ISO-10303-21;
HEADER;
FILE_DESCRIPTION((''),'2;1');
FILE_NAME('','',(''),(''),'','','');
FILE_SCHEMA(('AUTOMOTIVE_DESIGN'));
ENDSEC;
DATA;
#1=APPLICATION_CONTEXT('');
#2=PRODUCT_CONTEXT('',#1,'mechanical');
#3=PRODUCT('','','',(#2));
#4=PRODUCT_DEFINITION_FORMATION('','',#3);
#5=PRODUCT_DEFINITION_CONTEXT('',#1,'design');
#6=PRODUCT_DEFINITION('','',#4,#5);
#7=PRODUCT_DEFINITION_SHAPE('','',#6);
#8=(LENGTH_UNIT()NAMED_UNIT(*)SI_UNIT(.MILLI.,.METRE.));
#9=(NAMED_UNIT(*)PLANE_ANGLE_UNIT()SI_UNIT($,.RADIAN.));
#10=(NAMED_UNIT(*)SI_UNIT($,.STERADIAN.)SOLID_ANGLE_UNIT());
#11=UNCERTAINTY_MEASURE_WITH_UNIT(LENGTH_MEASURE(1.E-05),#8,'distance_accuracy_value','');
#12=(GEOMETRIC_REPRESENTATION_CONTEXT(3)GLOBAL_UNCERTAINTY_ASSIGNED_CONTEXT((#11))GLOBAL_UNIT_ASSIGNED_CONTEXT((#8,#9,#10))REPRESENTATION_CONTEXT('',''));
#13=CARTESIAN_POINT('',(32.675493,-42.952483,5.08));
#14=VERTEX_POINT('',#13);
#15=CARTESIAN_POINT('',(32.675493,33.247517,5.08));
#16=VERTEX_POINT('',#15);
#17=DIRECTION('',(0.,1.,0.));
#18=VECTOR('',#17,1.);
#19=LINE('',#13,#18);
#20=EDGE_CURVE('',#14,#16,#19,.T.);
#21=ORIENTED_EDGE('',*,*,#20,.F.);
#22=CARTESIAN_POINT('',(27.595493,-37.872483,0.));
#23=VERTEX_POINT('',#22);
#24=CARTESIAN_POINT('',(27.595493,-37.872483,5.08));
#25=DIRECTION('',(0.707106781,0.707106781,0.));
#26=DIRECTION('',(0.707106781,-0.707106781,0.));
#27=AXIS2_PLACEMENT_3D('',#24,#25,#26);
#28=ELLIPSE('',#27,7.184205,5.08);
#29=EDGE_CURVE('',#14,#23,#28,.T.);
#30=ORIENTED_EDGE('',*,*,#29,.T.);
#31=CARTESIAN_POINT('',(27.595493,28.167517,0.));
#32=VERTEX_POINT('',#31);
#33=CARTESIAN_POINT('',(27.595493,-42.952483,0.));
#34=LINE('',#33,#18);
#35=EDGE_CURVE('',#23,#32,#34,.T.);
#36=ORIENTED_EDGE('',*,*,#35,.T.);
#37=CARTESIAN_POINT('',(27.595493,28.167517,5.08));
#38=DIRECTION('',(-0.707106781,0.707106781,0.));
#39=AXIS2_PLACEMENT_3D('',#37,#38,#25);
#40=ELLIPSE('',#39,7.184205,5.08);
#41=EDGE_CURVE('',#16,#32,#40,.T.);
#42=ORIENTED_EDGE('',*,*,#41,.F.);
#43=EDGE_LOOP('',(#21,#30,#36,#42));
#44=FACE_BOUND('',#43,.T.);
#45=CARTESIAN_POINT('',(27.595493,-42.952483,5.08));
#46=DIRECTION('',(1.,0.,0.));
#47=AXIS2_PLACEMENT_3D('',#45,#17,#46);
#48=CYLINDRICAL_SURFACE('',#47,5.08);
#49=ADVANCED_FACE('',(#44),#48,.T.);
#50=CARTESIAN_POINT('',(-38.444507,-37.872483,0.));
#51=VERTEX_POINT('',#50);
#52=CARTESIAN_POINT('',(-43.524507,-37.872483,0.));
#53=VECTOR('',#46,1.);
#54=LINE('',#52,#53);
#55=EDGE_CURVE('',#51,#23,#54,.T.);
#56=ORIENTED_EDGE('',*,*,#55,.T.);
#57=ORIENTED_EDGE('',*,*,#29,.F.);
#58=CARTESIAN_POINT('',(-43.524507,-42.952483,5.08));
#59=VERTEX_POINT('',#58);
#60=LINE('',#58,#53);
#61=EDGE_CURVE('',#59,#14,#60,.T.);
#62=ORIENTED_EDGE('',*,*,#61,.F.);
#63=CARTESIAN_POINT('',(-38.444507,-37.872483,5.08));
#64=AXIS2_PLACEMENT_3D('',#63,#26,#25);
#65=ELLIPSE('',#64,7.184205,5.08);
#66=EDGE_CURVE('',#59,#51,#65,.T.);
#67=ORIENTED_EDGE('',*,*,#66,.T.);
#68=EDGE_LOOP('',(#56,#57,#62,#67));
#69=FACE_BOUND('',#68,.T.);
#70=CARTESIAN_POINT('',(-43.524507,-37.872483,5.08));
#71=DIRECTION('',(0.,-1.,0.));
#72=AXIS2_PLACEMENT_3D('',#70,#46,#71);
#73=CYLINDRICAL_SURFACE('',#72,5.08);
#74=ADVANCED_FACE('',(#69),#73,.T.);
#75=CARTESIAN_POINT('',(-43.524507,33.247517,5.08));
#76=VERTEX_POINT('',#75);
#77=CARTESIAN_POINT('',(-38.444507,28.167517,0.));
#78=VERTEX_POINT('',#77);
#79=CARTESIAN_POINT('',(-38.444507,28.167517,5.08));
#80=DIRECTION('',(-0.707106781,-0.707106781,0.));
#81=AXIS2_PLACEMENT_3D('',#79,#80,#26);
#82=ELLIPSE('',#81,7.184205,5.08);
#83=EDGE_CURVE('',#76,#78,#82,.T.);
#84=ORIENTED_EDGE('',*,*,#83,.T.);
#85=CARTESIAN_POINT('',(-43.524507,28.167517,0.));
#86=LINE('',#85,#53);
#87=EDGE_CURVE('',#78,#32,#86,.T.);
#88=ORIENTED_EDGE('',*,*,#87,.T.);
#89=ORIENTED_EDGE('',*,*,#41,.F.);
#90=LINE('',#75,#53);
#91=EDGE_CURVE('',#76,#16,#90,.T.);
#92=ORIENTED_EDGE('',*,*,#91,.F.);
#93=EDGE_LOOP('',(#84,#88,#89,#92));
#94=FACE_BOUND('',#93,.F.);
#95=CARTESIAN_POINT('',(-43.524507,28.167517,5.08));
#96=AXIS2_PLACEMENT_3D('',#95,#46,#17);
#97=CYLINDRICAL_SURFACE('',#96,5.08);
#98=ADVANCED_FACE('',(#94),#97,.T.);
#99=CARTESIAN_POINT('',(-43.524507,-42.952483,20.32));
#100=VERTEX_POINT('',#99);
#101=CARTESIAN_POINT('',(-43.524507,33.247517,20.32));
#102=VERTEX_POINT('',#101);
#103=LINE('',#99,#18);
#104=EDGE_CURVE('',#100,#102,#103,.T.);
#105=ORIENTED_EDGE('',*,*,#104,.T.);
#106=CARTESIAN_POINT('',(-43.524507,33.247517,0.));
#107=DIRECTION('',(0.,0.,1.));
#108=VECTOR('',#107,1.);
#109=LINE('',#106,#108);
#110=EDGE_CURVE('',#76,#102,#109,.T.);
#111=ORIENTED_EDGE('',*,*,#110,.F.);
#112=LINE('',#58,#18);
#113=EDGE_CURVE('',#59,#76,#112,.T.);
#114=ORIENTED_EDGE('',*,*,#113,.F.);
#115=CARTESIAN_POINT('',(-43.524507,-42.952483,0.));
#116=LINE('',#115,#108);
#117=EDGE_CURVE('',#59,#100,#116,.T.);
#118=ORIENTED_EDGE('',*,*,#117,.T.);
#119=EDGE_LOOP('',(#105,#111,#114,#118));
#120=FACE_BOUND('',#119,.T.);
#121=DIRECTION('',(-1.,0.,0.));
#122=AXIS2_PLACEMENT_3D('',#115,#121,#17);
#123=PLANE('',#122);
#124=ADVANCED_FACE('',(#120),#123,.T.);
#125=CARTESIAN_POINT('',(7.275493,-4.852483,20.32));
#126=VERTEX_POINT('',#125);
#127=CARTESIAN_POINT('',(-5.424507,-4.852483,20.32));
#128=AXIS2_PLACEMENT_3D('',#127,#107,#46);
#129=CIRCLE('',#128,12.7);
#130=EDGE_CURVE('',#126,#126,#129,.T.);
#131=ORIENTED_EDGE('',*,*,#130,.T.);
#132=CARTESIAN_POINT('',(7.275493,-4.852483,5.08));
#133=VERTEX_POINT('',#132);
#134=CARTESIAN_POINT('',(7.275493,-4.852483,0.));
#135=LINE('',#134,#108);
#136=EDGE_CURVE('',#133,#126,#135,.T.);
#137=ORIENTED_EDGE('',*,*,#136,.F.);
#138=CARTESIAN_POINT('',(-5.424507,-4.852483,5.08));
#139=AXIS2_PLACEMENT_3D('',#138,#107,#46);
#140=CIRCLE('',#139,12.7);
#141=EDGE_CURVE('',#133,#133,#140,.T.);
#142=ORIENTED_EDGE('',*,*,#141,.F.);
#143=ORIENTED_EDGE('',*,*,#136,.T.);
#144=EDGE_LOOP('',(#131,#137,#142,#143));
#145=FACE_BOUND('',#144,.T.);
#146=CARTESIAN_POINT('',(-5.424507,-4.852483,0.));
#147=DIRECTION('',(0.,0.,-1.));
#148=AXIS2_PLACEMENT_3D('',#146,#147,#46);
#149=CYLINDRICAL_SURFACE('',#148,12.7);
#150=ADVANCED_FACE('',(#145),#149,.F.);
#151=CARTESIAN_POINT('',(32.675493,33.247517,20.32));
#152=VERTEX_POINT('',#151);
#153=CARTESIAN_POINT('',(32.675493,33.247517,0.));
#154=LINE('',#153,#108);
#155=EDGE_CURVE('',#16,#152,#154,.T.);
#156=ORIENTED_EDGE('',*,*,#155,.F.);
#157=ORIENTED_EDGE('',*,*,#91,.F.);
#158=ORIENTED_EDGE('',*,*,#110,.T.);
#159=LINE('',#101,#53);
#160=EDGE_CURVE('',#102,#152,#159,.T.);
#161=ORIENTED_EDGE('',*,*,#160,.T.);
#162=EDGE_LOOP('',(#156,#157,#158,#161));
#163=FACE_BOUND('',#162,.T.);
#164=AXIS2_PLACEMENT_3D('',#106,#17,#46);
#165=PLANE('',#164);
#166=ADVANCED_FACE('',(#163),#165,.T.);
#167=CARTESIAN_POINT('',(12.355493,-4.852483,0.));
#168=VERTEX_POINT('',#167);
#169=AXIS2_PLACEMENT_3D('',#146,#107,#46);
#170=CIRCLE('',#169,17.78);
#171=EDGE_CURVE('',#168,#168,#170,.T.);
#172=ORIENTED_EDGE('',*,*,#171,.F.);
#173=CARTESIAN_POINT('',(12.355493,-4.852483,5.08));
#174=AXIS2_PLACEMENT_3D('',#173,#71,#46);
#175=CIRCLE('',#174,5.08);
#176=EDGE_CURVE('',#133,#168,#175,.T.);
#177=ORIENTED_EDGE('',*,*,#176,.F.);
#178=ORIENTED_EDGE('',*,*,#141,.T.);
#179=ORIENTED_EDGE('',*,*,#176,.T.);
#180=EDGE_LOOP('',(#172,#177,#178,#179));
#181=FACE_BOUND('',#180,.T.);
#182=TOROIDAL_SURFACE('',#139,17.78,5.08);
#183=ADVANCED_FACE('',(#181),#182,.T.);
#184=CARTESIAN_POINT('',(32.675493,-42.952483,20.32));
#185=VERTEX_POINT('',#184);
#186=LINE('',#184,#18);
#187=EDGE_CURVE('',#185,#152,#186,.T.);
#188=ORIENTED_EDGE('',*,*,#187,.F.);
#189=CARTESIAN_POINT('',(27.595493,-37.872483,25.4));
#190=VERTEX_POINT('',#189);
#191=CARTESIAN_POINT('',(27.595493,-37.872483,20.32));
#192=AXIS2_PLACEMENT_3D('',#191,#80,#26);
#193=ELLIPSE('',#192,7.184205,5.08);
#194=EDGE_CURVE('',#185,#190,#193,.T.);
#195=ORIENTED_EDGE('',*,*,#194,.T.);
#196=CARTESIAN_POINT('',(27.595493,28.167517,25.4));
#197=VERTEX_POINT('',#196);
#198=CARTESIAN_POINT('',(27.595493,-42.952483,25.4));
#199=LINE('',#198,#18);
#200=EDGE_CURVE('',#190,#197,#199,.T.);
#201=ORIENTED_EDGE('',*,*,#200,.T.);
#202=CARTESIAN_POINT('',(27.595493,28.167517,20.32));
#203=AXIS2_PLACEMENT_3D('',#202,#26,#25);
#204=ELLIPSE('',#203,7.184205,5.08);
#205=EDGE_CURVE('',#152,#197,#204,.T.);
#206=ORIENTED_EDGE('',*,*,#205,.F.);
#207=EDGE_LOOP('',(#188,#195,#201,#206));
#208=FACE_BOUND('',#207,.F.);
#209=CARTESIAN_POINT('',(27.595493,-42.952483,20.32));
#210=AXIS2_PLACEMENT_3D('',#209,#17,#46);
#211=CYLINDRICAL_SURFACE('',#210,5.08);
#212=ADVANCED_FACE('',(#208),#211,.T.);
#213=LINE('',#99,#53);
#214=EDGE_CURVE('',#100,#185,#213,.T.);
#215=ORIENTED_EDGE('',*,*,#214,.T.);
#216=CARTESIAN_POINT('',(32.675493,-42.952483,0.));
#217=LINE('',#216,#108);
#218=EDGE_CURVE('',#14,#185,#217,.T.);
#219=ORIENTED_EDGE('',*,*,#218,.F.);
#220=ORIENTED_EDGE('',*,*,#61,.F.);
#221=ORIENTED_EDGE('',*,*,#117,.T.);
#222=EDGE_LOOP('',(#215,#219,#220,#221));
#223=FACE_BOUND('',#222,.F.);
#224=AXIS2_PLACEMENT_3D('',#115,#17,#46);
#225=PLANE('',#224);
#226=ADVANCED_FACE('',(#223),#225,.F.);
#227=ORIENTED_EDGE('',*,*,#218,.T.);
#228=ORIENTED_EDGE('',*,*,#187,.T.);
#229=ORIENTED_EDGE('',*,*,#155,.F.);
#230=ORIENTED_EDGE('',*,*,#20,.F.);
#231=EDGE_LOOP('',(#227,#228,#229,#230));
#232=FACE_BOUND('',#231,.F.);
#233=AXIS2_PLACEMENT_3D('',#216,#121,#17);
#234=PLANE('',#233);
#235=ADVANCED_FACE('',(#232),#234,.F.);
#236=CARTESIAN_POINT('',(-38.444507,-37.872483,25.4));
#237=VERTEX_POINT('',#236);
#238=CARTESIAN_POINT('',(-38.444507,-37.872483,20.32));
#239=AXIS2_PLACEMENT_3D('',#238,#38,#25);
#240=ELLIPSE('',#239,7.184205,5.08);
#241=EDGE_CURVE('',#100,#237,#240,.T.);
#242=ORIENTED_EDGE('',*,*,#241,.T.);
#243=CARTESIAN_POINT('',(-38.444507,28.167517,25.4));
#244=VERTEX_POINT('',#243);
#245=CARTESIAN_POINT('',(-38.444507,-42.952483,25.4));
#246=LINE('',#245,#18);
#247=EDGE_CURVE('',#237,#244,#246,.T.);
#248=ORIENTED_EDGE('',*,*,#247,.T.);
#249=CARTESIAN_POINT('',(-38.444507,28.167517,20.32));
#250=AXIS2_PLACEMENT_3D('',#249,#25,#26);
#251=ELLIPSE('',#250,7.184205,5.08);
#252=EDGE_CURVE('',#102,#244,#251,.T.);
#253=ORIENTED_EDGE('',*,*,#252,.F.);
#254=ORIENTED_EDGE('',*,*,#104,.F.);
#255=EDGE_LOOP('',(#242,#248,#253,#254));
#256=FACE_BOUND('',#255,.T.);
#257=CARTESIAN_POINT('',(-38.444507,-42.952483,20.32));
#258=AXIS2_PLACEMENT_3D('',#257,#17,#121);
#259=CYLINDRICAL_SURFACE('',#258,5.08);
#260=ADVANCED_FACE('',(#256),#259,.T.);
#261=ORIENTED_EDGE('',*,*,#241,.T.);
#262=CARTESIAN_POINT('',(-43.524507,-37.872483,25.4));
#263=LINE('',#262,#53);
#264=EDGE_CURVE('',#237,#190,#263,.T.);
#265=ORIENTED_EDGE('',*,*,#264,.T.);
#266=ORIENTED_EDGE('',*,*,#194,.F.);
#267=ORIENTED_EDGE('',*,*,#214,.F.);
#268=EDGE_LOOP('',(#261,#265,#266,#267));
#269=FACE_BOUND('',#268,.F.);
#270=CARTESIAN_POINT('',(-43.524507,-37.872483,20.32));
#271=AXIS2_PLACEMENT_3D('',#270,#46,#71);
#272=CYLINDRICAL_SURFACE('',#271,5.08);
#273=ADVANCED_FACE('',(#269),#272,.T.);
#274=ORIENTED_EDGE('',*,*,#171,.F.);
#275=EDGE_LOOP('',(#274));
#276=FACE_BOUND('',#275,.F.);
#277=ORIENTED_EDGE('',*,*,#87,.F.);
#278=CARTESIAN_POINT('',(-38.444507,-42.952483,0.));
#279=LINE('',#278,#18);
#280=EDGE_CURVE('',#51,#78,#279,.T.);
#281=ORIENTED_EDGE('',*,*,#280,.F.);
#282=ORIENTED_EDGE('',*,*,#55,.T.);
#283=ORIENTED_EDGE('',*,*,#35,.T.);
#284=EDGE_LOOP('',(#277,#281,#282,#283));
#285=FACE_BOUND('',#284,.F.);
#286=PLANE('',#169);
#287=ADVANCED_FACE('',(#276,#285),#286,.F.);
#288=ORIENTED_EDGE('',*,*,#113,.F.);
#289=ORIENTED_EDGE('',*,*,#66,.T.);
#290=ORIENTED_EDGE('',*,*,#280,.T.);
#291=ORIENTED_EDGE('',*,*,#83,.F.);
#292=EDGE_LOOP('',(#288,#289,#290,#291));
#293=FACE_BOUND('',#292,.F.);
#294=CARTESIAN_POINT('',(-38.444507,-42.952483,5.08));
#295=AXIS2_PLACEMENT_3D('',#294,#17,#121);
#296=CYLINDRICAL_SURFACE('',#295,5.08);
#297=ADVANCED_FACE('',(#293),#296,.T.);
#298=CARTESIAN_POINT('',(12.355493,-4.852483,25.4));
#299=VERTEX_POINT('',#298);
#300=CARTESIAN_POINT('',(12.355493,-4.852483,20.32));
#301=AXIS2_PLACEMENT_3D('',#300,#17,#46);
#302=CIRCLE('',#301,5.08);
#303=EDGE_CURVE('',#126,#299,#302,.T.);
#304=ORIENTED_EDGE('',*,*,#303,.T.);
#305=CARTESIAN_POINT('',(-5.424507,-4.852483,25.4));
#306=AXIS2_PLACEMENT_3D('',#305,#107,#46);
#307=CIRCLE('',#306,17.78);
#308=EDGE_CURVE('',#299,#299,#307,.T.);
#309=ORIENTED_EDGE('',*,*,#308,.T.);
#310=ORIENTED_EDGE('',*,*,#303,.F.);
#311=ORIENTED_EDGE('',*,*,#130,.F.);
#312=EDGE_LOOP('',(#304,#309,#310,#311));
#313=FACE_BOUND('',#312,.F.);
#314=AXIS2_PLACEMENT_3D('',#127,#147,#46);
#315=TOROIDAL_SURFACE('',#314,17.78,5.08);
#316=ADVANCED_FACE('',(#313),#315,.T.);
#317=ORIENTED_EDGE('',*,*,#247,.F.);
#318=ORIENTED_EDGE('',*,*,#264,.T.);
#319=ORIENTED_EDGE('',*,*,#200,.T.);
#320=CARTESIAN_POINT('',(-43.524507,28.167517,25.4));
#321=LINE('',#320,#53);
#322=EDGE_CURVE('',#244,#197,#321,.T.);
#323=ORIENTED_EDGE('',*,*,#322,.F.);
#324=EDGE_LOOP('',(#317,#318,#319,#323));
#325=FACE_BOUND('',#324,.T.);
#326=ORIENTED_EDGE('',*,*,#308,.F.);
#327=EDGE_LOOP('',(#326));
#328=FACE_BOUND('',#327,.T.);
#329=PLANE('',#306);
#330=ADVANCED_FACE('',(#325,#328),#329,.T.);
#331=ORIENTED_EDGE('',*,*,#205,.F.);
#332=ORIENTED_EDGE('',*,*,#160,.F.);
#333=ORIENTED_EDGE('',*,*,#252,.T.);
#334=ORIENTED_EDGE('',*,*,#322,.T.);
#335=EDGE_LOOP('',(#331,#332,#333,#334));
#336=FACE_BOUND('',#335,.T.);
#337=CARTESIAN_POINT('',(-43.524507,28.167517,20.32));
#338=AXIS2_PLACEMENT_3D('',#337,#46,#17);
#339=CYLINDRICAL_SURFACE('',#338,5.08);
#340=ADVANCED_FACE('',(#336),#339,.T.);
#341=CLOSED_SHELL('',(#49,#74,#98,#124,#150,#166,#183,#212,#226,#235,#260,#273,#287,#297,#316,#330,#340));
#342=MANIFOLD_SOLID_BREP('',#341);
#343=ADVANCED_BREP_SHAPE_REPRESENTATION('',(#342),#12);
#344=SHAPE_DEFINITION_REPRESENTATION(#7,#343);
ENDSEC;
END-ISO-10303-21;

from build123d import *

# Parameters (mm, degrees)
F0_W     = 76.2
F0_H     = 76.2
F0_R     = 12.7
F1_DEPTH = 25.4
F2_R     = 5.08


with BuildPart() as f1:
    # F0 (on Top) → F1 (new body)
    with BuildSketch(Plane.XY):
        with Locations((-5.424507, -4.852483)):
            Rectangle(F0_W, F0_H)
        with Locations((-5.424507, -4.852483)):
            Circle(F0_R, mode=Mode.SUBTRACT)
    extrude(amount=F1_DEPTH)

    # F2
    f2_edges = [f1.edges().sort_by_distance(p)[0] for p in [
        (-5.424507, 33.247517, 25.4),
        (-43.524507, -4.852483, 25.4),
        (-5.424507, -42.952483, 25.4),
        (32.675493, -4.852483, 25.4),
        (-18.124507, -4.852483, 25.4),
        (-5.424507, 33.247517, 0),
        (-43.524507, -4.852483, 0),
        (-5.424507, -42.952483, 0),
        (32.675493, -4.852483, 0),
        (-18.124507, -4.852483, 0),
    ]]
    fillet(f2_edges, radius=F2_R)


solid = f1.part
